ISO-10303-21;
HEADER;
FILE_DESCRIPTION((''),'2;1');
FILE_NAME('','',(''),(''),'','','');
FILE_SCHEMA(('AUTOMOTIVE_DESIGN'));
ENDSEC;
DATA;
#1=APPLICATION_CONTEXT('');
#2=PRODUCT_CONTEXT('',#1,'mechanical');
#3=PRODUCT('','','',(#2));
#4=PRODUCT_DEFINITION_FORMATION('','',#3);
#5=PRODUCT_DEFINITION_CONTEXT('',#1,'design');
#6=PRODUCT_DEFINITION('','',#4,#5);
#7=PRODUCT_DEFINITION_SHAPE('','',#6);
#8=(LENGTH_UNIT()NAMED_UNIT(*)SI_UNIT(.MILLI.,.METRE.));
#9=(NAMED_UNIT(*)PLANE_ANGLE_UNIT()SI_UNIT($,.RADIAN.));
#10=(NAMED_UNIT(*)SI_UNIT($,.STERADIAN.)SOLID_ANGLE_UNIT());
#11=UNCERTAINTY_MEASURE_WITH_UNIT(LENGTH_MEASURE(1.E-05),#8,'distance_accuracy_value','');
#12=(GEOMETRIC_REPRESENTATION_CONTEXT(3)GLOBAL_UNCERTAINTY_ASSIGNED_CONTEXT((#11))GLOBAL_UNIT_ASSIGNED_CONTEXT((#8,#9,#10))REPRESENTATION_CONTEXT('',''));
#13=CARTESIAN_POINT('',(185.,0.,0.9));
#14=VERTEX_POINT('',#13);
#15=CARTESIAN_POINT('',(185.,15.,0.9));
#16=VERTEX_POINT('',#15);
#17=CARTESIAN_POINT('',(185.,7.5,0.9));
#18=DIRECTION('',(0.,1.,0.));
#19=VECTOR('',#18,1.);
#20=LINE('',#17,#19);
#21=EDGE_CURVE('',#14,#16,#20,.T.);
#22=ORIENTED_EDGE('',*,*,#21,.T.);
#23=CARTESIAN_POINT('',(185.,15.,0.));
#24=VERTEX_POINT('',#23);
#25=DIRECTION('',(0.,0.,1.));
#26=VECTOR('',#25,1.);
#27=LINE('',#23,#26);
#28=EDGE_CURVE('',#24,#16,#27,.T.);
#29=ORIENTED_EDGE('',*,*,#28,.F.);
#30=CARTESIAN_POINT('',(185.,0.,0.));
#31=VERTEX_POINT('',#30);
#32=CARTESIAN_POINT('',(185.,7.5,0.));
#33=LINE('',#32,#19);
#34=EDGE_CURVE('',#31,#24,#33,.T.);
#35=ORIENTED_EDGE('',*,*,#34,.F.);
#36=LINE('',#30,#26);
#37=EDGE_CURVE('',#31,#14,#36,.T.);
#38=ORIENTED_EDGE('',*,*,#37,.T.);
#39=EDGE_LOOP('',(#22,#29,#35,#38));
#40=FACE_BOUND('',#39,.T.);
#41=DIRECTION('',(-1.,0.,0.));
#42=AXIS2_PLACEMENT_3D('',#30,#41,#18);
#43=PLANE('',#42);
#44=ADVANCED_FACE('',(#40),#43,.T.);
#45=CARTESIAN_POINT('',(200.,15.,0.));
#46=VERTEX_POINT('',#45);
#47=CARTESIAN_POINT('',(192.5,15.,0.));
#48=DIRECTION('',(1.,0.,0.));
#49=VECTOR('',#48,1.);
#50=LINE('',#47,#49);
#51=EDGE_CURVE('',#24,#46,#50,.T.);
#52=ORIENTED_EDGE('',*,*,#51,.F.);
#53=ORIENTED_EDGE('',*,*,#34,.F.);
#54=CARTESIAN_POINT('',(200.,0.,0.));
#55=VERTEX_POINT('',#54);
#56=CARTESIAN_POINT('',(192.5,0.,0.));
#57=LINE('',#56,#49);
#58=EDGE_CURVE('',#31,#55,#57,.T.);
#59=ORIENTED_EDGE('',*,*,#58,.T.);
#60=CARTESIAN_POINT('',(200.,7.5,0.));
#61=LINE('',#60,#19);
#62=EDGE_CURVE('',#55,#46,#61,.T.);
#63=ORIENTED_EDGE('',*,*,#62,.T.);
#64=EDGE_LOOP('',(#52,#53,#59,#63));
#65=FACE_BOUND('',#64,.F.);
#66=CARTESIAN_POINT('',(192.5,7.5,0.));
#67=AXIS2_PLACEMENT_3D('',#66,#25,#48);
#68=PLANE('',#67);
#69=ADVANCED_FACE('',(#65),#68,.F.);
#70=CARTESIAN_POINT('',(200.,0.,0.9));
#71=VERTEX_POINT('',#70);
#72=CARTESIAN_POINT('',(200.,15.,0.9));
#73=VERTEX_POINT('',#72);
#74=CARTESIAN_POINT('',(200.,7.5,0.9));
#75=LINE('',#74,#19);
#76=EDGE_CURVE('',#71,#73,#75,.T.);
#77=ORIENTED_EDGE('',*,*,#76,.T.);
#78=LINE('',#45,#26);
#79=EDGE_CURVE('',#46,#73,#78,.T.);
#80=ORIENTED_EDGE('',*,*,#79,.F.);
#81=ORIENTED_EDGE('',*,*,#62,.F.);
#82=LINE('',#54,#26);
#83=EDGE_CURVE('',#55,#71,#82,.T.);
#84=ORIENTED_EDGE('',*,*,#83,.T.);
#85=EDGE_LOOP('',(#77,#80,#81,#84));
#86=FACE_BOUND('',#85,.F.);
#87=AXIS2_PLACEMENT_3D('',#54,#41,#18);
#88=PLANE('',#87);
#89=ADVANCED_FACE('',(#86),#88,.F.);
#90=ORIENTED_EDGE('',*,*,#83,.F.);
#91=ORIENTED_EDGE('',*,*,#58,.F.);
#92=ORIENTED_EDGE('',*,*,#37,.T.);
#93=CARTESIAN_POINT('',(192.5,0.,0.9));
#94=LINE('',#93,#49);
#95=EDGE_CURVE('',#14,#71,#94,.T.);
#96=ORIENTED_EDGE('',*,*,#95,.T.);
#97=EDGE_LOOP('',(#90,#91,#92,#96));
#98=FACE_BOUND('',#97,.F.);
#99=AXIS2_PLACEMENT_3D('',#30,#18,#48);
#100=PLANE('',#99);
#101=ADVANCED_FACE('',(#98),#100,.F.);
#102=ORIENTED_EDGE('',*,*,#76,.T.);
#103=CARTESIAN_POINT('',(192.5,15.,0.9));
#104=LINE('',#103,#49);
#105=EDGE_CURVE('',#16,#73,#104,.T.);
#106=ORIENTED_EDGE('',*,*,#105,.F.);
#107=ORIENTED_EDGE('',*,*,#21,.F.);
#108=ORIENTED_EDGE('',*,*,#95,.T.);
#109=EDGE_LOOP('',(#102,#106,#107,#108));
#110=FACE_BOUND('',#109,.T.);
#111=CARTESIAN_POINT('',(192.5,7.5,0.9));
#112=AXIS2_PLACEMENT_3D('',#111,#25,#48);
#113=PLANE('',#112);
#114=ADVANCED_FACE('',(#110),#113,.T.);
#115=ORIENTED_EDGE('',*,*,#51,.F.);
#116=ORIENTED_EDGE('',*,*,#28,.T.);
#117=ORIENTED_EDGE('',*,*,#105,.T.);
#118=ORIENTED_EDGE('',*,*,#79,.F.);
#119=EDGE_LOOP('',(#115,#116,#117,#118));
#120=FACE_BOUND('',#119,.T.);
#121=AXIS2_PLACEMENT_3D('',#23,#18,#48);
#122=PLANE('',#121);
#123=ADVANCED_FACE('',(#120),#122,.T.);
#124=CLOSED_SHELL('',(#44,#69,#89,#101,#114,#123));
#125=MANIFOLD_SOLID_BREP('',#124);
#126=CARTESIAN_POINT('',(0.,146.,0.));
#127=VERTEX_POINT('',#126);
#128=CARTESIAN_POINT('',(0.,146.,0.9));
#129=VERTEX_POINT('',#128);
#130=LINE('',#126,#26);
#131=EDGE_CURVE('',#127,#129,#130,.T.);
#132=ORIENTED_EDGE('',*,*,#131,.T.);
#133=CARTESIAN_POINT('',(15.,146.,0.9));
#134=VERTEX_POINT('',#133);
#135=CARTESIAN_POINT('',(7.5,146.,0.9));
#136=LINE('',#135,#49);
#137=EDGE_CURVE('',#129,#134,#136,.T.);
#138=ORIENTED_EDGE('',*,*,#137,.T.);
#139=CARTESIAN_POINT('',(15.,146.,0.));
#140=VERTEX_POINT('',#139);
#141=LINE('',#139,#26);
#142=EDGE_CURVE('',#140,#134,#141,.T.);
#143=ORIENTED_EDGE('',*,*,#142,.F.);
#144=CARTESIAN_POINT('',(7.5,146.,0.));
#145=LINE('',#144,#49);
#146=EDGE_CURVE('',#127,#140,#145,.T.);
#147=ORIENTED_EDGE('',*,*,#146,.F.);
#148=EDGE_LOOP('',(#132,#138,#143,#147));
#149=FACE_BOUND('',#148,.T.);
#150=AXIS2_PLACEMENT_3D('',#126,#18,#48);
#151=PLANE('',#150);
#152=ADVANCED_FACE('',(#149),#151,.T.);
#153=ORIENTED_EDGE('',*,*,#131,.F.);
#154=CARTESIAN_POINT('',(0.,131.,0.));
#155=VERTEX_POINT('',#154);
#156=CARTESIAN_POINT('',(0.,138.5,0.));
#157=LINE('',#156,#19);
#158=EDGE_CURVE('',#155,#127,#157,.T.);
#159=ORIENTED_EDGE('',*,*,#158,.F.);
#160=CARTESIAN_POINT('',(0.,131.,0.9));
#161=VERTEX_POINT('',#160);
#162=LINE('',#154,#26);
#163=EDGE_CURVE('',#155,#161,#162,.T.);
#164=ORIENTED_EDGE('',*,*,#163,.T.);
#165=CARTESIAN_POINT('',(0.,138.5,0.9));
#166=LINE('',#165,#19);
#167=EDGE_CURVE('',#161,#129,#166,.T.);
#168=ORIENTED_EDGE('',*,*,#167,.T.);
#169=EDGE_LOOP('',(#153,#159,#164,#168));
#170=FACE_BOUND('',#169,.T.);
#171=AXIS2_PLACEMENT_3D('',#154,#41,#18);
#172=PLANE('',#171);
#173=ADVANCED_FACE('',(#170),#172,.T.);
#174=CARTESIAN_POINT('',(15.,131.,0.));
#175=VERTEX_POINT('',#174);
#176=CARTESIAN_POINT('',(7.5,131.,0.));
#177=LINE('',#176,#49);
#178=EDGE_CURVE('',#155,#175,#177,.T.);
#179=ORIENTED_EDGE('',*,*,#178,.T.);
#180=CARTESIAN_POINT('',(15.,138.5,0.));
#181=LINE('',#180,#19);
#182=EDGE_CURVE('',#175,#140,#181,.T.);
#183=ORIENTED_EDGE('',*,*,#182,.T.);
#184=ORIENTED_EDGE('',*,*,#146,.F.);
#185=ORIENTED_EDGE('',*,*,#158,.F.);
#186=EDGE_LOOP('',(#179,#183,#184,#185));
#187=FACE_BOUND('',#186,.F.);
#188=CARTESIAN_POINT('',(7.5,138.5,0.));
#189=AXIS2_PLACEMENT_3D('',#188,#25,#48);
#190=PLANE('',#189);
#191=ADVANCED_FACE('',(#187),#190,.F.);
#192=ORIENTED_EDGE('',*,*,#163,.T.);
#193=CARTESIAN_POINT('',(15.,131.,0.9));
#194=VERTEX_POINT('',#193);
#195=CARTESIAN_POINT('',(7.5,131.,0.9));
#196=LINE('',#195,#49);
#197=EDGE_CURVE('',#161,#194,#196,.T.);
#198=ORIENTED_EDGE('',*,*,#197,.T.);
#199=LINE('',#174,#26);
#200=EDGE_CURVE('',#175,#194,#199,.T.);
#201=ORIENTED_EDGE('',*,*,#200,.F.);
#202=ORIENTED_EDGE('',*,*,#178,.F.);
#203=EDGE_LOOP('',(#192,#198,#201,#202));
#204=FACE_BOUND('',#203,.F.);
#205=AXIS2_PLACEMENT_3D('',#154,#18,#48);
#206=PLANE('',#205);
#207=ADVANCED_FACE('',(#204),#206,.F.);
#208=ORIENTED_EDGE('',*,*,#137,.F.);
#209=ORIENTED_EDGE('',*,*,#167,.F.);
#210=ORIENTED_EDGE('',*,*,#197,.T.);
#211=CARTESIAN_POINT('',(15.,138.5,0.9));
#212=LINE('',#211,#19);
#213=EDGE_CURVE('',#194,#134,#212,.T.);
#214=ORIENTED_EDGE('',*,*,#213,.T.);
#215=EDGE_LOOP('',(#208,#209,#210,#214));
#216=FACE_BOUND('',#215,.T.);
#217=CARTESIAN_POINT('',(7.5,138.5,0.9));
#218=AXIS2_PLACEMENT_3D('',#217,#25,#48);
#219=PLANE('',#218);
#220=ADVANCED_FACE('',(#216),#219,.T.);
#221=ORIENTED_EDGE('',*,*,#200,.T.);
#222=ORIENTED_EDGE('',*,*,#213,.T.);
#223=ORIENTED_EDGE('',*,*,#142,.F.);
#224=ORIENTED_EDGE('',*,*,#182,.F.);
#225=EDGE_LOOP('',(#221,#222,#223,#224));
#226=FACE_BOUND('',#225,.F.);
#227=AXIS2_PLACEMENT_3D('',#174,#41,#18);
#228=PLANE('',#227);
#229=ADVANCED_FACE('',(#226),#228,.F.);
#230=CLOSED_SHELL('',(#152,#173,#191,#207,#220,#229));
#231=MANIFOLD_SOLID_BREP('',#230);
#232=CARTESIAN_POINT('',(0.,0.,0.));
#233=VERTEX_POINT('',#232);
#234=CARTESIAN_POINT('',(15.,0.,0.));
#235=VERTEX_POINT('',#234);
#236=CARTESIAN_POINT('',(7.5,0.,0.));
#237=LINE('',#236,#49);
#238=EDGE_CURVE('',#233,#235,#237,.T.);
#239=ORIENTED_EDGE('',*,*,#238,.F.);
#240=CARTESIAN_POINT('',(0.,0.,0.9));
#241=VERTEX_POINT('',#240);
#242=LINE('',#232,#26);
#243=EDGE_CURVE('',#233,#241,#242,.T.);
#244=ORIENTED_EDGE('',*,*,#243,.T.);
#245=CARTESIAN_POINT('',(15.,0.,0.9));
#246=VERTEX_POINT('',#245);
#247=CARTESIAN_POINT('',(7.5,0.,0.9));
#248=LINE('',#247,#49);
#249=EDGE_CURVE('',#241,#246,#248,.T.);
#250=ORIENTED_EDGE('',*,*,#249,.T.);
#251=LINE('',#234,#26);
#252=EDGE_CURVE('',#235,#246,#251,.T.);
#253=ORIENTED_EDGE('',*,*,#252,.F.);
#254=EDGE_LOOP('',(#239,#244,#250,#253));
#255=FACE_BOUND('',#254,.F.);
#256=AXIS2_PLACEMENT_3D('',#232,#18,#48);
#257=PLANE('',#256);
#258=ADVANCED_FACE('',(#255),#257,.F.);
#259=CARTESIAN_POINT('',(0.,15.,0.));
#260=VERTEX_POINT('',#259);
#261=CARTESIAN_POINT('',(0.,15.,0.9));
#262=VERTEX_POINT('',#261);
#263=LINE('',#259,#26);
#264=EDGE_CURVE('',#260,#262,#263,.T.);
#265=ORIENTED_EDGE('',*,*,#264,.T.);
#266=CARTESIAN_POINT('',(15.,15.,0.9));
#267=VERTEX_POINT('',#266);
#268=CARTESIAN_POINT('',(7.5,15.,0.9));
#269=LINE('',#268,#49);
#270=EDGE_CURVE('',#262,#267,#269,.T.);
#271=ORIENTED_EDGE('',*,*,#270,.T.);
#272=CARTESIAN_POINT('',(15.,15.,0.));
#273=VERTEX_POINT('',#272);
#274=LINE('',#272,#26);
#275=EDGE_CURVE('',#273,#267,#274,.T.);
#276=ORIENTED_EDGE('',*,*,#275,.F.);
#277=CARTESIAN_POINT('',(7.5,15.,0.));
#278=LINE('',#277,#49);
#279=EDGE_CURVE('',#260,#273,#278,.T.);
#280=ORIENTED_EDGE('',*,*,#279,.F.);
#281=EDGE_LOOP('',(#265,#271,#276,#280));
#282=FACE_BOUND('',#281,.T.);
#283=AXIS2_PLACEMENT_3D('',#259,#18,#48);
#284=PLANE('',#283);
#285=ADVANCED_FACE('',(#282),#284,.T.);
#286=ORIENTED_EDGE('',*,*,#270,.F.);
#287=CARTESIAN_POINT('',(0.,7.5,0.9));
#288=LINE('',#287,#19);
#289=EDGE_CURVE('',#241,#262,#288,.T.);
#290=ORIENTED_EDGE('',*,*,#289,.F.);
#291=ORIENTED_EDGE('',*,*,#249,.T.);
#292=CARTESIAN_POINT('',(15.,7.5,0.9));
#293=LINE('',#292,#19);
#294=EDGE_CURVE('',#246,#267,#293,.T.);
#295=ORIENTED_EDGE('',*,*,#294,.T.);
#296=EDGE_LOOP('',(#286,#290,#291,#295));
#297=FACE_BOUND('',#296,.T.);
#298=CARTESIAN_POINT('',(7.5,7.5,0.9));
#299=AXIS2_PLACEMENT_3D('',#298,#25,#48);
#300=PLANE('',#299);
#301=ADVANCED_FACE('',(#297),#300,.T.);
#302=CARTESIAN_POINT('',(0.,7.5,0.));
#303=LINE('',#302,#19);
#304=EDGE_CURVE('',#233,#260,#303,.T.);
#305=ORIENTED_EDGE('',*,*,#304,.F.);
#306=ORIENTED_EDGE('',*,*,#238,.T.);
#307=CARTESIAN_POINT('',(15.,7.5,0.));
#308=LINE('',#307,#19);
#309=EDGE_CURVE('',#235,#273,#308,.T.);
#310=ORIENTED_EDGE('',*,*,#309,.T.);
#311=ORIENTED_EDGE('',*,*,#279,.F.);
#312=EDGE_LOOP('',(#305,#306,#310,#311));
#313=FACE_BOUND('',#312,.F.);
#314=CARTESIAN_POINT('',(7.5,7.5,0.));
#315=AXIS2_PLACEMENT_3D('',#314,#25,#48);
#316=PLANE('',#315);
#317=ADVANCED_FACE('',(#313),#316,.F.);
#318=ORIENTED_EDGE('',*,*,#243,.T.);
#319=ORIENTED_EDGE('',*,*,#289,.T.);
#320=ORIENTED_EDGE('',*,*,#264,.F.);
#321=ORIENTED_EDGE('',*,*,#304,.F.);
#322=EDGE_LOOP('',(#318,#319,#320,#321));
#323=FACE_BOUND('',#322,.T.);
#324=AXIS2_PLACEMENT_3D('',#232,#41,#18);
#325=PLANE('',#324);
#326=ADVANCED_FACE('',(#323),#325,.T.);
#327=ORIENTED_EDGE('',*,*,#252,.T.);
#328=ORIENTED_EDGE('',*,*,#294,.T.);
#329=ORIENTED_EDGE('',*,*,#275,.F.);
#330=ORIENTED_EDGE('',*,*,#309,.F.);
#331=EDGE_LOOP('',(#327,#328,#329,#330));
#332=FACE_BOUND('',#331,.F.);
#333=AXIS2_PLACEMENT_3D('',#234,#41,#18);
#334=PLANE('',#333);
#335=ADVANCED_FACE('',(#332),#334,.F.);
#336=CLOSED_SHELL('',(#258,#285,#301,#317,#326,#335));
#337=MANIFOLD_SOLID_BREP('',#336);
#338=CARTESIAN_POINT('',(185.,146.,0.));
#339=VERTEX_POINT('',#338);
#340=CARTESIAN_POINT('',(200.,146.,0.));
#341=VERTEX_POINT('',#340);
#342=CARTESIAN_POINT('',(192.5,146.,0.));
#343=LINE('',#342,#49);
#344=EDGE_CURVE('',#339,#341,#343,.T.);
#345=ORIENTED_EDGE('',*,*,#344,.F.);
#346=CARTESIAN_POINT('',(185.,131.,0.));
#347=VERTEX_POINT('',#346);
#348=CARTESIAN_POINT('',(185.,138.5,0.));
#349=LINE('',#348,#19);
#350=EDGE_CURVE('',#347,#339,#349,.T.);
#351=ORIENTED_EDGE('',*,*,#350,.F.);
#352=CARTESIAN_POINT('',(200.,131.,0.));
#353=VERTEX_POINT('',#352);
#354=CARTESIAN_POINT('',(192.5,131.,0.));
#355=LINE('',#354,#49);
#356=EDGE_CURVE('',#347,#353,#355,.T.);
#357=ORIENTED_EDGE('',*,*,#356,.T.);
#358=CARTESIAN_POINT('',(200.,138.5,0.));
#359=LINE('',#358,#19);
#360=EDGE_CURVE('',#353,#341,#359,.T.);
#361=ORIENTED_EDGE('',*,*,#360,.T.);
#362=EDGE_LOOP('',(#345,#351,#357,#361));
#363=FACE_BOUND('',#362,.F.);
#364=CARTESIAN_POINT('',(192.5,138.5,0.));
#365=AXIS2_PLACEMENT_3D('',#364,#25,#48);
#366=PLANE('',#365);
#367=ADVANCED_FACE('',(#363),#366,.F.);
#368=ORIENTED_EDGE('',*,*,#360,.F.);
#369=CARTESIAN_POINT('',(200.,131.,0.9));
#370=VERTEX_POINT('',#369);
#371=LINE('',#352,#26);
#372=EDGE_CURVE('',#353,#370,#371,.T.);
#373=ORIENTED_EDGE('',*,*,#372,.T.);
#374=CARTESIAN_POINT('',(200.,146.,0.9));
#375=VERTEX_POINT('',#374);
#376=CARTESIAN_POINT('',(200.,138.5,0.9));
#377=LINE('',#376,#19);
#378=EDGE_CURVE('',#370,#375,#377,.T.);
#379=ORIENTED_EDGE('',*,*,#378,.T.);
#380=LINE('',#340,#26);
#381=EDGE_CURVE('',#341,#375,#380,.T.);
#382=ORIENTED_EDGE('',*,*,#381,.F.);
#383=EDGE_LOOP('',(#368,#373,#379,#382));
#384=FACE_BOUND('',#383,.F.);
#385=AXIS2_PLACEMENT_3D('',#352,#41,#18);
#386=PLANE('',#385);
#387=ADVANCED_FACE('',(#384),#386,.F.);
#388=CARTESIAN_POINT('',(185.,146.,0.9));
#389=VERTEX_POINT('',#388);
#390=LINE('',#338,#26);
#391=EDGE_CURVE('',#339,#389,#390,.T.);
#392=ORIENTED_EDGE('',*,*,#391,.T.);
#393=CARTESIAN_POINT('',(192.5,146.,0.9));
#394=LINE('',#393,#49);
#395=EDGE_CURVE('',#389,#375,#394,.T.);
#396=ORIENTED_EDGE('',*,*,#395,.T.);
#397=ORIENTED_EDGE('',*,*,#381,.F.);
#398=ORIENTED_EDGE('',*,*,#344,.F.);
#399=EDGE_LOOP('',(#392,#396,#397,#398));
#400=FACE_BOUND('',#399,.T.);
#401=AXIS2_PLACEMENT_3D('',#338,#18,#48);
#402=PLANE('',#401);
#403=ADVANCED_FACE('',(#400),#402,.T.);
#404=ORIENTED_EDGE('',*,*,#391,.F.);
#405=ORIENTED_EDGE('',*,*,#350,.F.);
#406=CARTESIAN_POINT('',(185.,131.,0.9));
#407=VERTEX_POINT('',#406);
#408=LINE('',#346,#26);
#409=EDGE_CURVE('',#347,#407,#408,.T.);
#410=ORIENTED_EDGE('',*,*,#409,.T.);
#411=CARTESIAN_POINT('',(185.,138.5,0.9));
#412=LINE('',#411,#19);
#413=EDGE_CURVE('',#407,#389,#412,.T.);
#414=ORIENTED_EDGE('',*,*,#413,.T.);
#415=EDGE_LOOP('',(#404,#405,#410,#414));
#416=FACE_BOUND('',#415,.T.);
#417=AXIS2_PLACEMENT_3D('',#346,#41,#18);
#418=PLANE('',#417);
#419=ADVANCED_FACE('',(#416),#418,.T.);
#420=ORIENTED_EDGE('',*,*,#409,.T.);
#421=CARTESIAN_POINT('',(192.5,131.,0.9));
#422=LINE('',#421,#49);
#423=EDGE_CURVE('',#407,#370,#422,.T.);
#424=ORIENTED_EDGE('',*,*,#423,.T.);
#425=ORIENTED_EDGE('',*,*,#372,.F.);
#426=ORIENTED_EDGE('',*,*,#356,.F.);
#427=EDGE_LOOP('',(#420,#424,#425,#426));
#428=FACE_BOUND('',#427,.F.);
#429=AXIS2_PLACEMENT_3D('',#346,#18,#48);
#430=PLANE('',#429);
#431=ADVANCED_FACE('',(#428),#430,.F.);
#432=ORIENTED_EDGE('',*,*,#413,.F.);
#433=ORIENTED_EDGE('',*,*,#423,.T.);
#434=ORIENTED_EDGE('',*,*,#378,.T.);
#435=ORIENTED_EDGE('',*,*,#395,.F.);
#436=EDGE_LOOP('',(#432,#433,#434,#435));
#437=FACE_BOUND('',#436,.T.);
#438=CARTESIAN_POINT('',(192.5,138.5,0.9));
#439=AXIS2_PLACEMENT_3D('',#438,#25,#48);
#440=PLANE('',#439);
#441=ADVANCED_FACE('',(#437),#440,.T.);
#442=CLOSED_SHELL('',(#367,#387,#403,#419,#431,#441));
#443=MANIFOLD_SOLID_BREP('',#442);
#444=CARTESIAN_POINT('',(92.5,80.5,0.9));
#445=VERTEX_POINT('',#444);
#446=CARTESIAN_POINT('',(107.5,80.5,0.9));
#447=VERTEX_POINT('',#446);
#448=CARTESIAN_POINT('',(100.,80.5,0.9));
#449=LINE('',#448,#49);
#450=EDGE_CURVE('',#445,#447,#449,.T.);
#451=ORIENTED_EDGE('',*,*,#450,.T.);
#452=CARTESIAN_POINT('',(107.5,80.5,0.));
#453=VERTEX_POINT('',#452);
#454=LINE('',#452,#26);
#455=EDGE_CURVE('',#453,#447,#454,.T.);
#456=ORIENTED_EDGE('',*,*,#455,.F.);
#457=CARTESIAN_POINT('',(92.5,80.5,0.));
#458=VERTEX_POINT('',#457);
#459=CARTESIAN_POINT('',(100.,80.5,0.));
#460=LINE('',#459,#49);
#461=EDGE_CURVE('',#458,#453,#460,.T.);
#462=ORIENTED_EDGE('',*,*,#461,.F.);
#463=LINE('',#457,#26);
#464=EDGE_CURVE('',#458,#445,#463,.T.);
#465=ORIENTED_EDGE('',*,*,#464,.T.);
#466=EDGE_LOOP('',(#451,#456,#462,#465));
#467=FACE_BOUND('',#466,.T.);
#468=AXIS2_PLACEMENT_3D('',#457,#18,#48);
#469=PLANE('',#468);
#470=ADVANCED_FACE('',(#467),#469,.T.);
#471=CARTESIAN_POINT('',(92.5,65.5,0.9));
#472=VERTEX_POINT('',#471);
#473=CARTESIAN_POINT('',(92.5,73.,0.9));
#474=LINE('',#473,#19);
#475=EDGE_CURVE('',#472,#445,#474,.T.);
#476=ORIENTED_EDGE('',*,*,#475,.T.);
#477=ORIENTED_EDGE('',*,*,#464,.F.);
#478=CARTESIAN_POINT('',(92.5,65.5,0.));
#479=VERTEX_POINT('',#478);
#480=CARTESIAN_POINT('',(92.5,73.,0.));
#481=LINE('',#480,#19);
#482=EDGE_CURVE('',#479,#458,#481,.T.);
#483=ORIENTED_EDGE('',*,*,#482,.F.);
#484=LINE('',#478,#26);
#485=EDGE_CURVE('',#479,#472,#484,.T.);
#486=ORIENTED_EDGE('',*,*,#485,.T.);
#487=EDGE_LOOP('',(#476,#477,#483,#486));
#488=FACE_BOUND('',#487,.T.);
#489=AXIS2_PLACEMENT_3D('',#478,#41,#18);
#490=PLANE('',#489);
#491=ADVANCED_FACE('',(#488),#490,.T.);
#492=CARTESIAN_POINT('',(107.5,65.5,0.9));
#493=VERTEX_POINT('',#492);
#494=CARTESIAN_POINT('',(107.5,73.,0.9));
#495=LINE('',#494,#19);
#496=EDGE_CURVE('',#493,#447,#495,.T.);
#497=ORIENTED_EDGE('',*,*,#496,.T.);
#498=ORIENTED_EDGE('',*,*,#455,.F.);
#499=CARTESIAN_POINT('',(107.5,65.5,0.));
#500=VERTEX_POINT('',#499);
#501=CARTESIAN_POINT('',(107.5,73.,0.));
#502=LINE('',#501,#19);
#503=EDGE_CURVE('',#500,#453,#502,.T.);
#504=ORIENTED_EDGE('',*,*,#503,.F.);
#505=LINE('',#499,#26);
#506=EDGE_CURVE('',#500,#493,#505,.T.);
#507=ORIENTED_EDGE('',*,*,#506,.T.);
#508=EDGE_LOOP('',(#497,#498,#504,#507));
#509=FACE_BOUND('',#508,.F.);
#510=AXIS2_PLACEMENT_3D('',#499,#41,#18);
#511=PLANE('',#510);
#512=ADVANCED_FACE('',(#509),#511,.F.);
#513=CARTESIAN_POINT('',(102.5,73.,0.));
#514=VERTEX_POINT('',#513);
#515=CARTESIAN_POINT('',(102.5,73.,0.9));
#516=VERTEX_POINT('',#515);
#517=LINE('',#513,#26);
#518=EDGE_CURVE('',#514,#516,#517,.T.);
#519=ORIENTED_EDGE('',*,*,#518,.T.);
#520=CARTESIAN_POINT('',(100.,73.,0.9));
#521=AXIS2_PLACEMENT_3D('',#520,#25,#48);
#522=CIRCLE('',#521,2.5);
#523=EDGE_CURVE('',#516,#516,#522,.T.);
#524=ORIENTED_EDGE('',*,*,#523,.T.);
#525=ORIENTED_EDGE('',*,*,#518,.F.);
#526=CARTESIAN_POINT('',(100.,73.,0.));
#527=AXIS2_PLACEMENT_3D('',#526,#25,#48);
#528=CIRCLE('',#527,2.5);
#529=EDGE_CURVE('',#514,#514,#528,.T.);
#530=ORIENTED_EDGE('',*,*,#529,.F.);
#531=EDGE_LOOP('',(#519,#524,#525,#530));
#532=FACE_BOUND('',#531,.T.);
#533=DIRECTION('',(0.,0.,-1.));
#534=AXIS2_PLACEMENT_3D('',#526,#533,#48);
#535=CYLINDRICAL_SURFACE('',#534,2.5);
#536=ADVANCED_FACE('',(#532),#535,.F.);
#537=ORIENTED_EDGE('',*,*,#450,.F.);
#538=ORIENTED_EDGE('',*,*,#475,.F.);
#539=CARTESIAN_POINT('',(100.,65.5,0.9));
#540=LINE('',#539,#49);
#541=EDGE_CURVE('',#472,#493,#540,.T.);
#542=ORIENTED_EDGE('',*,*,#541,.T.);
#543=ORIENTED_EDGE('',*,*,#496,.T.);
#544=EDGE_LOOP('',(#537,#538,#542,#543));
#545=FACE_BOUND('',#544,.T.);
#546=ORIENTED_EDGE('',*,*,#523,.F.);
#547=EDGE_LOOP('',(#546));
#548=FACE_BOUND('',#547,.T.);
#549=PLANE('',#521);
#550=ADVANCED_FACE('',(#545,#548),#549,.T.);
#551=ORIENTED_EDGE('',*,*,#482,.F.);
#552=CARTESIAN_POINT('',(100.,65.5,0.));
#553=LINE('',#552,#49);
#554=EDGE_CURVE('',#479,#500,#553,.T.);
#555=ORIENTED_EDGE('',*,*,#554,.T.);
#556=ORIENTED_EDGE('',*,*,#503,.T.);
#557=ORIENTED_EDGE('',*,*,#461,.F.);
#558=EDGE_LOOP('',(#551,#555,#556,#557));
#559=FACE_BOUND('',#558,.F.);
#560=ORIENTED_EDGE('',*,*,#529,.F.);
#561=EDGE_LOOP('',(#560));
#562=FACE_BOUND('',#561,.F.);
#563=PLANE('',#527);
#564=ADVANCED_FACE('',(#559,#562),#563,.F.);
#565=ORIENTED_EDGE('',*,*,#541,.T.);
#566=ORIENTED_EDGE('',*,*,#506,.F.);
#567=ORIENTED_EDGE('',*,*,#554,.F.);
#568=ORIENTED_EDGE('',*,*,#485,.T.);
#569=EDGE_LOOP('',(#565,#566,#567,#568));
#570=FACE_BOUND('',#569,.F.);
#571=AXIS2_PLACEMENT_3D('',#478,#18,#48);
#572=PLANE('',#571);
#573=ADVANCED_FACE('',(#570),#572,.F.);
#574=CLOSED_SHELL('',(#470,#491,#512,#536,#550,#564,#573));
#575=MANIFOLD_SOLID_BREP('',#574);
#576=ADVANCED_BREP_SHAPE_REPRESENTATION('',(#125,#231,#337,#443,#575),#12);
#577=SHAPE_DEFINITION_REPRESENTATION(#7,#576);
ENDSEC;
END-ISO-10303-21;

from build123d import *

# Parameters (mm, degrees)
F0_W     = 15
F0_H     = 15
F0_R     = 2.5
F1_DEPTH = 0.9


with BuildPart() as f1:
    # F0 (on Top) → F1 (new body)
    with BuildSketch(Plane.XY):
        with Locations((7.5, 7.5)):
            Rectangle(F0_W, F0_H)
        with Locations((192.5, 7.5)):
            Rectangle(F0_W, F0_H)
        with Locations((192.5, 138.5)):
            Rectangle(F0_W, F0_H)
        with Locations((7.5, 138.5)):
            Rectangle(F0_W, F0_H)
        with Locations((100, 73)):
            Rectangle(F0_W, F0_H)
        with Locations((100, 73)):
            Circle(F0_R, mode=Mode.SUBTRACT)
    extrude(amount=F1_DEPTH)


solid = f1.part
